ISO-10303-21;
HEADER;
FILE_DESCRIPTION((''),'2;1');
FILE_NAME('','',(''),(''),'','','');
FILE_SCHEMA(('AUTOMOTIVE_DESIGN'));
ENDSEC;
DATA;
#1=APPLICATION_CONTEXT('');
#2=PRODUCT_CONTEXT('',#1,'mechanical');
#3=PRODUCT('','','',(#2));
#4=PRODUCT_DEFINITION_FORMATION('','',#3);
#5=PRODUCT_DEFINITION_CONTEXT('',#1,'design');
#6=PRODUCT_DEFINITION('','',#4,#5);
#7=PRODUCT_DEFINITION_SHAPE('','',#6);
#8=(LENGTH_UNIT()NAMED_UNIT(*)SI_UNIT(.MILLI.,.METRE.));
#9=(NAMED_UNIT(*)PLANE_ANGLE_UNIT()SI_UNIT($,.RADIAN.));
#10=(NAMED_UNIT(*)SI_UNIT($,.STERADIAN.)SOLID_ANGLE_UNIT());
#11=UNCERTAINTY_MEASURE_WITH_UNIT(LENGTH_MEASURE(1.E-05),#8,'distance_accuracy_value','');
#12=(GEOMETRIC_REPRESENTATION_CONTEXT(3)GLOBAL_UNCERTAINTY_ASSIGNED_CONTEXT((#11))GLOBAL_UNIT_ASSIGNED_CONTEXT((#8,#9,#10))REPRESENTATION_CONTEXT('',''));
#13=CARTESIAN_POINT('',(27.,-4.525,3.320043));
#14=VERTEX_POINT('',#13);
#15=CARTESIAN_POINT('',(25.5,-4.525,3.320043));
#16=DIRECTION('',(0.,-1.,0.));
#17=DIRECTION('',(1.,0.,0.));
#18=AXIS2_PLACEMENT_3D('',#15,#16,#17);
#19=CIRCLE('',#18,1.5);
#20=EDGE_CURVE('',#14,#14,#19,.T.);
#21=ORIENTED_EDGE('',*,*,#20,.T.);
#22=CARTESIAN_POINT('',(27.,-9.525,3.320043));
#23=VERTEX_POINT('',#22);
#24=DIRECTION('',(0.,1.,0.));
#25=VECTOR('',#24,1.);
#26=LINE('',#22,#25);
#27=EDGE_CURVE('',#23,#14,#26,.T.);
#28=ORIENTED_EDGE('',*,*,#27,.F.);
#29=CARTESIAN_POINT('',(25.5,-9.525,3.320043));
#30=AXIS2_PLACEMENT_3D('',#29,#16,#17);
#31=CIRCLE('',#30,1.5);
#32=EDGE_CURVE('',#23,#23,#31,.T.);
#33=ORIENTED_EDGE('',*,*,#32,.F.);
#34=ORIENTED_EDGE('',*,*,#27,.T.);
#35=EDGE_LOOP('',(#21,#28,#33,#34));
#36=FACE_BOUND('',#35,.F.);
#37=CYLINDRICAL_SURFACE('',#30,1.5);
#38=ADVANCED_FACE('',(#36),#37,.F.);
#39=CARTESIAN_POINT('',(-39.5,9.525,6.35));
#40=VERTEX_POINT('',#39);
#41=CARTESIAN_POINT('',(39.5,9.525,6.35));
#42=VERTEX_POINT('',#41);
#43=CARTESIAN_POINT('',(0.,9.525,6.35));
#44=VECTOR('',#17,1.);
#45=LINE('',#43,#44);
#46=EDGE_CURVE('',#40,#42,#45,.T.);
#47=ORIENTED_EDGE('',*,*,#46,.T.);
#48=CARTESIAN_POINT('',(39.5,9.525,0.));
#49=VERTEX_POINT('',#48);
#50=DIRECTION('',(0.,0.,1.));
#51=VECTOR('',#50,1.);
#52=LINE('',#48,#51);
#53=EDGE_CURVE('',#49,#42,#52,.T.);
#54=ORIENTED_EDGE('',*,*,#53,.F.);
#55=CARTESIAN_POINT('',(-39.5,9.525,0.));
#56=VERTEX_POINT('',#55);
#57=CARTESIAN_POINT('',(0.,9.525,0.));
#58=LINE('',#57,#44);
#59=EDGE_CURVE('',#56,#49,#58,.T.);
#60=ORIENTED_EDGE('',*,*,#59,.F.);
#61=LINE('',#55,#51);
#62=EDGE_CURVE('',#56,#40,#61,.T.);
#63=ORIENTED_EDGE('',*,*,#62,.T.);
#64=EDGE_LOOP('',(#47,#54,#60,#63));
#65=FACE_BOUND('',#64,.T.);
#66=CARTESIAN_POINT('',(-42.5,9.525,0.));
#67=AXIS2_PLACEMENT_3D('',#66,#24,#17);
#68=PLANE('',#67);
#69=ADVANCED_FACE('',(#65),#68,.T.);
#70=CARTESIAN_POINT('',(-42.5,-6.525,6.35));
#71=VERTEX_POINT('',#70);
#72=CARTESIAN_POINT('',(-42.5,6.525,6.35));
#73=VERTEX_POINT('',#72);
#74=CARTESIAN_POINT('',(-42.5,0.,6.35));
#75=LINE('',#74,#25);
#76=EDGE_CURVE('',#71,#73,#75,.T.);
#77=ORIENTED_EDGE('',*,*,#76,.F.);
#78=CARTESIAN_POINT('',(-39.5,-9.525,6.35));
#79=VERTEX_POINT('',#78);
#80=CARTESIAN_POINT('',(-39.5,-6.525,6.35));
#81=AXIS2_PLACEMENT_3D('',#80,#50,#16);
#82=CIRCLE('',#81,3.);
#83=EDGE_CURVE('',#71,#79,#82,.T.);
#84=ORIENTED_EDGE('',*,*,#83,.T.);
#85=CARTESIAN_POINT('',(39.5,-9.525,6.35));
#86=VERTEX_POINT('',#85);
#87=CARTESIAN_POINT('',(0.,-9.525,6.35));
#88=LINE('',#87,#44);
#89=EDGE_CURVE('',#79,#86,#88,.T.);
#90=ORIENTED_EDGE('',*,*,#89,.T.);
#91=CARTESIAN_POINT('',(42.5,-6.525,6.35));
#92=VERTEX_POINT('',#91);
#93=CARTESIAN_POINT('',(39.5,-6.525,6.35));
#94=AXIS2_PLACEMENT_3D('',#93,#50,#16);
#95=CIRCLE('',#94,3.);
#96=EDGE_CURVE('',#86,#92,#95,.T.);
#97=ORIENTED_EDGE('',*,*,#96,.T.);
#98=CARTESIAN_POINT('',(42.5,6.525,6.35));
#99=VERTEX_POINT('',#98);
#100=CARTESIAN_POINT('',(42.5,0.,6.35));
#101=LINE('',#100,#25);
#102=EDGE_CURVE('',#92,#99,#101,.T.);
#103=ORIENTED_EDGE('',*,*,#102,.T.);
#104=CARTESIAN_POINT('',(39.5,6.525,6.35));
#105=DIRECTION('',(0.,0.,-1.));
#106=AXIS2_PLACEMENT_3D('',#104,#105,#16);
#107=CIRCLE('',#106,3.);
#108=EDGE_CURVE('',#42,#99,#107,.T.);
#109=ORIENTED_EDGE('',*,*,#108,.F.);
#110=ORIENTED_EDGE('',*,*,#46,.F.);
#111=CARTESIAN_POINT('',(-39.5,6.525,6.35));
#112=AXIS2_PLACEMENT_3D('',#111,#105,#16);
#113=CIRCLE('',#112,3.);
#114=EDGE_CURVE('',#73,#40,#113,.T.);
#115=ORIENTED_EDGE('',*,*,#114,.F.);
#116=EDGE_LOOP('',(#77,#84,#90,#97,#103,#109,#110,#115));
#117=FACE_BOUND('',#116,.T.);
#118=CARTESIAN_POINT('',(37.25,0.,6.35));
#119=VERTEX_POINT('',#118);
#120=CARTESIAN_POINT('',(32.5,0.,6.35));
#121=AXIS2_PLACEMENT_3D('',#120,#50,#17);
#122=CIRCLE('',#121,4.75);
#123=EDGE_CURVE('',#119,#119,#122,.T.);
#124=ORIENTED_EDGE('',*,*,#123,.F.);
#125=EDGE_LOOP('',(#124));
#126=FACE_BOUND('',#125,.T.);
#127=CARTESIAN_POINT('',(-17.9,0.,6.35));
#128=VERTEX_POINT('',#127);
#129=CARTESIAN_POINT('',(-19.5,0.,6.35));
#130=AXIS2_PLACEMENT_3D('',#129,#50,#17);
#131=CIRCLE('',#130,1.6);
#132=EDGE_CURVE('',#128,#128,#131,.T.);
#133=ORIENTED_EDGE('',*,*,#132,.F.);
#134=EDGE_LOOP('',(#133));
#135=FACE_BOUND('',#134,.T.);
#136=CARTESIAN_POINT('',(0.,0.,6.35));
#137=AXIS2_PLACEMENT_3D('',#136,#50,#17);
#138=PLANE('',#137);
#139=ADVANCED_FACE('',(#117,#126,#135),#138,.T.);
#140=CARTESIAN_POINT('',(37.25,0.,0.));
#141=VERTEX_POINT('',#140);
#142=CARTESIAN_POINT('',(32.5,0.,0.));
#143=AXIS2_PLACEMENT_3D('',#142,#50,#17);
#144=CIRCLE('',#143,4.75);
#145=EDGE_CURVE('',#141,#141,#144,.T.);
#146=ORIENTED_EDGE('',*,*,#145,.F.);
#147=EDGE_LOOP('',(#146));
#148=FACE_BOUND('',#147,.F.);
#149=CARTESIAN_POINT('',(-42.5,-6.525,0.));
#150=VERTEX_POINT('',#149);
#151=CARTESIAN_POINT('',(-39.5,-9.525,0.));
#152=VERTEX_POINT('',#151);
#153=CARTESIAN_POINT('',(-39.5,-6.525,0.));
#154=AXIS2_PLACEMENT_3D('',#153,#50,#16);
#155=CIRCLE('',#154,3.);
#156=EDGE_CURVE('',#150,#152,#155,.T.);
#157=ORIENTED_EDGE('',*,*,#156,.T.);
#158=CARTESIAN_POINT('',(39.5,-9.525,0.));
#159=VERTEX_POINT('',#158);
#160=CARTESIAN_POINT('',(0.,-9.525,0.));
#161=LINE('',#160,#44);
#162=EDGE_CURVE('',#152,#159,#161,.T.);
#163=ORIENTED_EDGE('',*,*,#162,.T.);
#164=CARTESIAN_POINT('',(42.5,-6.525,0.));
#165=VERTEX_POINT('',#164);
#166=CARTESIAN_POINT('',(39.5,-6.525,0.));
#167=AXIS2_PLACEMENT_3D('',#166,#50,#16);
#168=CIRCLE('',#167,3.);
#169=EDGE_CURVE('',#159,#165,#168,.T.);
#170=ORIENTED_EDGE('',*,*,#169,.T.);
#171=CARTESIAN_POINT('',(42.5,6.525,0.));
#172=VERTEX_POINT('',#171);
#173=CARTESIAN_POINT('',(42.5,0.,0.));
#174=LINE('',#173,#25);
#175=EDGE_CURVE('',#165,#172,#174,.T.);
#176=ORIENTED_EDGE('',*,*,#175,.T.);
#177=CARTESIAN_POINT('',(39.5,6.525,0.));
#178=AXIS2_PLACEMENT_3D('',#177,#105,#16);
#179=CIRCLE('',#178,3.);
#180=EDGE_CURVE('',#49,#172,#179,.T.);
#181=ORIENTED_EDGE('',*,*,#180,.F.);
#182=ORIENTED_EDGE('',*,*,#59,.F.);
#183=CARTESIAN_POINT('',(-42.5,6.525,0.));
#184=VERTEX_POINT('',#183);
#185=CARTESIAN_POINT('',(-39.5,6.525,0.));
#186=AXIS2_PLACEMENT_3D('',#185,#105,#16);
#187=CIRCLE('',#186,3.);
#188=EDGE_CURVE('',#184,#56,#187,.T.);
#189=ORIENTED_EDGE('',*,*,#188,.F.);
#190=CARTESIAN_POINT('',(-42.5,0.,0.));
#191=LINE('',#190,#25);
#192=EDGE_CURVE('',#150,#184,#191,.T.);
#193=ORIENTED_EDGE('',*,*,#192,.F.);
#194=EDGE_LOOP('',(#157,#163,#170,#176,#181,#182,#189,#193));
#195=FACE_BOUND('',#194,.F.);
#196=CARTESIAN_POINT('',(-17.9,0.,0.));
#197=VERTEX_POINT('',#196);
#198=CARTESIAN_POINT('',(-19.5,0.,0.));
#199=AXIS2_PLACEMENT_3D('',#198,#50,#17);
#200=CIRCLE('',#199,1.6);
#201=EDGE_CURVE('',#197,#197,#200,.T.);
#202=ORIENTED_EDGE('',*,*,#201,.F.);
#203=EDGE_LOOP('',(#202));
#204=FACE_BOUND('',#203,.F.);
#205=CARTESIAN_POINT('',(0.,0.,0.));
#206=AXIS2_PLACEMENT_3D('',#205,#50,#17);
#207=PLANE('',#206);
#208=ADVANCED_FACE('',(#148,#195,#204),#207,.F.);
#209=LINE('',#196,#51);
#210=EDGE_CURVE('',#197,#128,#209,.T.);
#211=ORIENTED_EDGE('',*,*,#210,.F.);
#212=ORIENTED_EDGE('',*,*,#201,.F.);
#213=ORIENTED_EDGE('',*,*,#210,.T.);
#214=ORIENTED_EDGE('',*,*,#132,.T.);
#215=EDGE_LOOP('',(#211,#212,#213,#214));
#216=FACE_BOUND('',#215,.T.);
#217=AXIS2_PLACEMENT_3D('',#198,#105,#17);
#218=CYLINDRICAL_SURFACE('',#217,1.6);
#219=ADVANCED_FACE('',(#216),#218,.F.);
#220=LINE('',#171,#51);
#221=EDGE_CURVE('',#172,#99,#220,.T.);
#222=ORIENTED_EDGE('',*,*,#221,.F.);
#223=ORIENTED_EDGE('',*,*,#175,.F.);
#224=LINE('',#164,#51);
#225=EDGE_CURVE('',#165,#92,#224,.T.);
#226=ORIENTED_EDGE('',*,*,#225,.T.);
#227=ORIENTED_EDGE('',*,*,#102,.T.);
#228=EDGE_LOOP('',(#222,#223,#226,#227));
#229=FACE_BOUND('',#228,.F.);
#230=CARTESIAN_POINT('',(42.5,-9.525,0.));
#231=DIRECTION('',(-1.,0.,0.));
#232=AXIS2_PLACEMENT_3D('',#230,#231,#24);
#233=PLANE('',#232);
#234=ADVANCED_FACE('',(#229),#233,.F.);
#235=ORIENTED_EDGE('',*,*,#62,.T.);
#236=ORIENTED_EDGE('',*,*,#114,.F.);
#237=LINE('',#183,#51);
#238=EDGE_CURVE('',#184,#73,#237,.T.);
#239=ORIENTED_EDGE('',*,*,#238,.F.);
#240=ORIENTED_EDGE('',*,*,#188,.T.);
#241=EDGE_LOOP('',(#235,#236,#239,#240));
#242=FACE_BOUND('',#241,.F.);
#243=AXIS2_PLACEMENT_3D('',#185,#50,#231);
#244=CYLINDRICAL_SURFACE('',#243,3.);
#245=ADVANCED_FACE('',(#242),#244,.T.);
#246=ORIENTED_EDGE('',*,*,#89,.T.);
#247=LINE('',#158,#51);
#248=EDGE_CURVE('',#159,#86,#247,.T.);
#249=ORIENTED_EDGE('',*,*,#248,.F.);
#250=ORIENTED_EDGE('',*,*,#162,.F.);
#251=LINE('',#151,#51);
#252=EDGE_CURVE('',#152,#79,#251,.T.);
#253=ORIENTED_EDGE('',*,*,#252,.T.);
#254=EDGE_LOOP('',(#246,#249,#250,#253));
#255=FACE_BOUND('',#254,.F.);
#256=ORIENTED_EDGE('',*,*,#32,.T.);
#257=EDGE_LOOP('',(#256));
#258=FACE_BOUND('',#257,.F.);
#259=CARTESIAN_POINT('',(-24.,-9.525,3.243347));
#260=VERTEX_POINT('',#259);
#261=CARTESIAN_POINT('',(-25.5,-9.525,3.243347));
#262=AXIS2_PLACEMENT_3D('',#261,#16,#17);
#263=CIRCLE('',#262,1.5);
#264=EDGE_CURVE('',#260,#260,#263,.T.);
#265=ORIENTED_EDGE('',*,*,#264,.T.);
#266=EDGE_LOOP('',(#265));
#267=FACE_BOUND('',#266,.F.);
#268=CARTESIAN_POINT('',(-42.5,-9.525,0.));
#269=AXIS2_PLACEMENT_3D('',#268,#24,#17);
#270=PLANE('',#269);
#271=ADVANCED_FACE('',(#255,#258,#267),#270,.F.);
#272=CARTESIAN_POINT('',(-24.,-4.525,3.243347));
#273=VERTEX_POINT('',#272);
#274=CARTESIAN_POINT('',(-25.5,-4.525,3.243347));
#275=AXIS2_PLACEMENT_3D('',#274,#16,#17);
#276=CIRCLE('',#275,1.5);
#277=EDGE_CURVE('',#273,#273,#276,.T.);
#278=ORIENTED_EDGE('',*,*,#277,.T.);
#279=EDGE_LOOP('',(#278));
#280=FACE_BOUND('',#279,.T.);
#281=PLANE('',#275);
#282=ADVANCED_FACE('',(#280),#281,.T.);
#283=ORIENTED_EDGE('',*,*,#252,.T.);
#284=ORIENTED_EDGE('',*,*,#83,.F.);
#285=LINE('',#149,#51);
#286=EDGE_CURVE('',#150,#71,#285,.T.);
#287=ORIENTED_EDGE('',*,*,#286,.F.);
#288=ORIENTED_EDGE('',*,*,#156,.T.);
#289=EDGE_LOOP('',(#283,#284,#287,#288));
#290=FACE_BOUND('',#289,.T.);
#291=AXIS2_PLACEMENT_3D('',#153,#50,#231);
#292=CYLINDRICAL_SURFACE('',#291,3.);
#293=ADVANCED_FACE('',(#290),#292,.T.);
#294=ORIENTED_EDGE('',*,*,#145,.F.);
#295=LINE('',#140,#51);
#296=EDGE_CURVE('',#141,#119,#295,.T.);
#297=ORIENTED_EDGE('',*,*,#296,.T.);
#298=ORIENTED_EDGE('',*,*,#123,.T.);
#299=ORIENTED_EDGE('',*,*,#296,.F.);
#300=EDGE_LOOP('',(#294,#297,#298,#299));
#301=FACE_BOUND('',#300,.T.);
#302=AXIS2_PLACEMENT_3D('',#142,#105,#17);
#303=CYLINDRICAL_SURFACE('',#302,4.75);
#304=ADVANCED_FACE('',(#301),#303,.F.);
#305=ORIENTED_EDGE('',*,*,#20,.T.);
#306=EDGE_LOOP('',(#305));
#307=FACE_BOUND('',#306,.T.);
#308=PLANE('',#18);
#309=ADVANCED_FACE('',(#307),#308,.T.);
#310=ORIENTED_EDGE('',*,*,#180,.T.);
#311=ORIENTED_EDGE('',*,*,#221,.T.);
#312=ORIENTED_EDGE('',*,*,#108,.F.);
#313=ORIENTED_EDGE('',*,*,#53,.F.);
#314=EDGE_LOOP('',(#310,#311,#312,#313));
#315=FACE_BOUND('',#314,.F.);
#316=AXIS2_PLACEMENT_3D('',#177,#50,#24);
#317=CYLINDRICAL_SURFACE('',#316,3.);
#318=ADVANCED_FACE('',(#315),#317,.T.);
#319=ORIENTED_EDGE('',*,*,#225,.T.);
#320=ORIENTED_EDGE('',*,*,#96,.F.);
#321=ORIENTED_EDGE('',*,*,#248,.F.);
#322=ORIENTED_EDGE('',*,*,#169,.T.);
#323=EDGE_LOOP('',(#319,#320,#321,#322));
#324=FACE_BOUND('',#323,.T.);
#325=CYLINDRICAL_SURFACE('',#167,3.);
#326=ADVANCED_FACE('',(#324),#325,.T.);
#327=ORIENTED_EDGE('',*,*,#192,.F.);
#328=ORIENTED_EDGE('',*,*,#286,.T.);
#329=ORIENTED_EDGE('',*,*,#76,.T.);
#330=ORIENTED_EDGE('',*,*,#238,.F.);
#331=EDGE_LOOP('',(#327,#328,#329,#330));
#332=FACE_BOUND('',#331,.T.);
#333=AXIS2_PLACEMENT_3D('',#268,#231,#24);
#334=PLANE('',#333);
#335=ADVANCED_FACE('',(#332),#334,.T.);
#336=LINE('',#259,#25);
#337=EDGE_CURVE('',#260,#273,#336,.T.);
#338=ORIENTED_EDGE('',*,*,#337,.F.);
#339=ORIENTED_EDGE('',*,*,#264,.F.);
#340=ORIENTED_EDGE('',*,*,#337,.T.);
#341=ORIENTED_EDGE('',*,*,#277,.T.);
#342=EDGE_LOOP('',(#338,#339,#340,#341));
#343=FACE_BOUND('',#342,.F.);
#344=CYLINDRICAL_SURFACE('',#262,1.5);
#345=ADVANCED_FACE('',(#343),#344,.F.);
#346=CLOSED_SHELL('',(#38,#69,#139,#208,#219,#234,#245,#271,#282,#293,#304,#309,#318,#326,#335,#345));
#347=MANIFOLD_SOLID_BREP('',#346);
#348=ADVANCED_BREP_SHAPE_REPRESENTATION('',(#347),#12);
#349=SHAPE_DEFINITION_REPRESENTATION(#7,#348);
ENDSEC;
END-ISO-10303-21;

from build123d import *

# Parameters (mm, degrees)
F0_W     = 85
F0_H     = 19.05
F0_R     = 1.6
F0_R_2   = 4.75
F1_DEPTH = 6.35
F2_R     = 1.5
F3_DEPTH = 5
F4_R     = 3


with BuildPart() as f1:
    # F0 (on Top) → F1 (new body)
    with BuildSketch(Plane.XY):
        Rectangle(F0_W, F0_H)
        with Locations((-19.5, 0)):
            Circle(F0_R, mode=Mode.SUBTRACT)
        with Locations((32.5, 0)):
            Circle(F0_R_2, mode=Mode.SUBTRACT)
    extrude(amount=F1_DEPTH)

    # F2 (on face) → F3 (cut)
    with BuildSketch(Plane.XZ.offset(9.525)):
        with Locations((-25.5, 3.243347)):
            Circle(F2_R)
        with Locations((25.5, 3.320043)):
            Circle(F2_R)
    extrude(amount=-F3_DEPTH, mode=Mode.SUBTRACT)

    # F4
    f4_edges = [f1.edges().sort_by_distance(p)[0] for p in [
        (-42.5, 9.525, 3.175),
        (-42.5, -9.525, 3.175),
        (42.5, 9.525, 3.175),
        (42.5, -9.525, 3.175),
    ]]
    fillet(f4_edges, radius=F4_R)


solid = f1.part
